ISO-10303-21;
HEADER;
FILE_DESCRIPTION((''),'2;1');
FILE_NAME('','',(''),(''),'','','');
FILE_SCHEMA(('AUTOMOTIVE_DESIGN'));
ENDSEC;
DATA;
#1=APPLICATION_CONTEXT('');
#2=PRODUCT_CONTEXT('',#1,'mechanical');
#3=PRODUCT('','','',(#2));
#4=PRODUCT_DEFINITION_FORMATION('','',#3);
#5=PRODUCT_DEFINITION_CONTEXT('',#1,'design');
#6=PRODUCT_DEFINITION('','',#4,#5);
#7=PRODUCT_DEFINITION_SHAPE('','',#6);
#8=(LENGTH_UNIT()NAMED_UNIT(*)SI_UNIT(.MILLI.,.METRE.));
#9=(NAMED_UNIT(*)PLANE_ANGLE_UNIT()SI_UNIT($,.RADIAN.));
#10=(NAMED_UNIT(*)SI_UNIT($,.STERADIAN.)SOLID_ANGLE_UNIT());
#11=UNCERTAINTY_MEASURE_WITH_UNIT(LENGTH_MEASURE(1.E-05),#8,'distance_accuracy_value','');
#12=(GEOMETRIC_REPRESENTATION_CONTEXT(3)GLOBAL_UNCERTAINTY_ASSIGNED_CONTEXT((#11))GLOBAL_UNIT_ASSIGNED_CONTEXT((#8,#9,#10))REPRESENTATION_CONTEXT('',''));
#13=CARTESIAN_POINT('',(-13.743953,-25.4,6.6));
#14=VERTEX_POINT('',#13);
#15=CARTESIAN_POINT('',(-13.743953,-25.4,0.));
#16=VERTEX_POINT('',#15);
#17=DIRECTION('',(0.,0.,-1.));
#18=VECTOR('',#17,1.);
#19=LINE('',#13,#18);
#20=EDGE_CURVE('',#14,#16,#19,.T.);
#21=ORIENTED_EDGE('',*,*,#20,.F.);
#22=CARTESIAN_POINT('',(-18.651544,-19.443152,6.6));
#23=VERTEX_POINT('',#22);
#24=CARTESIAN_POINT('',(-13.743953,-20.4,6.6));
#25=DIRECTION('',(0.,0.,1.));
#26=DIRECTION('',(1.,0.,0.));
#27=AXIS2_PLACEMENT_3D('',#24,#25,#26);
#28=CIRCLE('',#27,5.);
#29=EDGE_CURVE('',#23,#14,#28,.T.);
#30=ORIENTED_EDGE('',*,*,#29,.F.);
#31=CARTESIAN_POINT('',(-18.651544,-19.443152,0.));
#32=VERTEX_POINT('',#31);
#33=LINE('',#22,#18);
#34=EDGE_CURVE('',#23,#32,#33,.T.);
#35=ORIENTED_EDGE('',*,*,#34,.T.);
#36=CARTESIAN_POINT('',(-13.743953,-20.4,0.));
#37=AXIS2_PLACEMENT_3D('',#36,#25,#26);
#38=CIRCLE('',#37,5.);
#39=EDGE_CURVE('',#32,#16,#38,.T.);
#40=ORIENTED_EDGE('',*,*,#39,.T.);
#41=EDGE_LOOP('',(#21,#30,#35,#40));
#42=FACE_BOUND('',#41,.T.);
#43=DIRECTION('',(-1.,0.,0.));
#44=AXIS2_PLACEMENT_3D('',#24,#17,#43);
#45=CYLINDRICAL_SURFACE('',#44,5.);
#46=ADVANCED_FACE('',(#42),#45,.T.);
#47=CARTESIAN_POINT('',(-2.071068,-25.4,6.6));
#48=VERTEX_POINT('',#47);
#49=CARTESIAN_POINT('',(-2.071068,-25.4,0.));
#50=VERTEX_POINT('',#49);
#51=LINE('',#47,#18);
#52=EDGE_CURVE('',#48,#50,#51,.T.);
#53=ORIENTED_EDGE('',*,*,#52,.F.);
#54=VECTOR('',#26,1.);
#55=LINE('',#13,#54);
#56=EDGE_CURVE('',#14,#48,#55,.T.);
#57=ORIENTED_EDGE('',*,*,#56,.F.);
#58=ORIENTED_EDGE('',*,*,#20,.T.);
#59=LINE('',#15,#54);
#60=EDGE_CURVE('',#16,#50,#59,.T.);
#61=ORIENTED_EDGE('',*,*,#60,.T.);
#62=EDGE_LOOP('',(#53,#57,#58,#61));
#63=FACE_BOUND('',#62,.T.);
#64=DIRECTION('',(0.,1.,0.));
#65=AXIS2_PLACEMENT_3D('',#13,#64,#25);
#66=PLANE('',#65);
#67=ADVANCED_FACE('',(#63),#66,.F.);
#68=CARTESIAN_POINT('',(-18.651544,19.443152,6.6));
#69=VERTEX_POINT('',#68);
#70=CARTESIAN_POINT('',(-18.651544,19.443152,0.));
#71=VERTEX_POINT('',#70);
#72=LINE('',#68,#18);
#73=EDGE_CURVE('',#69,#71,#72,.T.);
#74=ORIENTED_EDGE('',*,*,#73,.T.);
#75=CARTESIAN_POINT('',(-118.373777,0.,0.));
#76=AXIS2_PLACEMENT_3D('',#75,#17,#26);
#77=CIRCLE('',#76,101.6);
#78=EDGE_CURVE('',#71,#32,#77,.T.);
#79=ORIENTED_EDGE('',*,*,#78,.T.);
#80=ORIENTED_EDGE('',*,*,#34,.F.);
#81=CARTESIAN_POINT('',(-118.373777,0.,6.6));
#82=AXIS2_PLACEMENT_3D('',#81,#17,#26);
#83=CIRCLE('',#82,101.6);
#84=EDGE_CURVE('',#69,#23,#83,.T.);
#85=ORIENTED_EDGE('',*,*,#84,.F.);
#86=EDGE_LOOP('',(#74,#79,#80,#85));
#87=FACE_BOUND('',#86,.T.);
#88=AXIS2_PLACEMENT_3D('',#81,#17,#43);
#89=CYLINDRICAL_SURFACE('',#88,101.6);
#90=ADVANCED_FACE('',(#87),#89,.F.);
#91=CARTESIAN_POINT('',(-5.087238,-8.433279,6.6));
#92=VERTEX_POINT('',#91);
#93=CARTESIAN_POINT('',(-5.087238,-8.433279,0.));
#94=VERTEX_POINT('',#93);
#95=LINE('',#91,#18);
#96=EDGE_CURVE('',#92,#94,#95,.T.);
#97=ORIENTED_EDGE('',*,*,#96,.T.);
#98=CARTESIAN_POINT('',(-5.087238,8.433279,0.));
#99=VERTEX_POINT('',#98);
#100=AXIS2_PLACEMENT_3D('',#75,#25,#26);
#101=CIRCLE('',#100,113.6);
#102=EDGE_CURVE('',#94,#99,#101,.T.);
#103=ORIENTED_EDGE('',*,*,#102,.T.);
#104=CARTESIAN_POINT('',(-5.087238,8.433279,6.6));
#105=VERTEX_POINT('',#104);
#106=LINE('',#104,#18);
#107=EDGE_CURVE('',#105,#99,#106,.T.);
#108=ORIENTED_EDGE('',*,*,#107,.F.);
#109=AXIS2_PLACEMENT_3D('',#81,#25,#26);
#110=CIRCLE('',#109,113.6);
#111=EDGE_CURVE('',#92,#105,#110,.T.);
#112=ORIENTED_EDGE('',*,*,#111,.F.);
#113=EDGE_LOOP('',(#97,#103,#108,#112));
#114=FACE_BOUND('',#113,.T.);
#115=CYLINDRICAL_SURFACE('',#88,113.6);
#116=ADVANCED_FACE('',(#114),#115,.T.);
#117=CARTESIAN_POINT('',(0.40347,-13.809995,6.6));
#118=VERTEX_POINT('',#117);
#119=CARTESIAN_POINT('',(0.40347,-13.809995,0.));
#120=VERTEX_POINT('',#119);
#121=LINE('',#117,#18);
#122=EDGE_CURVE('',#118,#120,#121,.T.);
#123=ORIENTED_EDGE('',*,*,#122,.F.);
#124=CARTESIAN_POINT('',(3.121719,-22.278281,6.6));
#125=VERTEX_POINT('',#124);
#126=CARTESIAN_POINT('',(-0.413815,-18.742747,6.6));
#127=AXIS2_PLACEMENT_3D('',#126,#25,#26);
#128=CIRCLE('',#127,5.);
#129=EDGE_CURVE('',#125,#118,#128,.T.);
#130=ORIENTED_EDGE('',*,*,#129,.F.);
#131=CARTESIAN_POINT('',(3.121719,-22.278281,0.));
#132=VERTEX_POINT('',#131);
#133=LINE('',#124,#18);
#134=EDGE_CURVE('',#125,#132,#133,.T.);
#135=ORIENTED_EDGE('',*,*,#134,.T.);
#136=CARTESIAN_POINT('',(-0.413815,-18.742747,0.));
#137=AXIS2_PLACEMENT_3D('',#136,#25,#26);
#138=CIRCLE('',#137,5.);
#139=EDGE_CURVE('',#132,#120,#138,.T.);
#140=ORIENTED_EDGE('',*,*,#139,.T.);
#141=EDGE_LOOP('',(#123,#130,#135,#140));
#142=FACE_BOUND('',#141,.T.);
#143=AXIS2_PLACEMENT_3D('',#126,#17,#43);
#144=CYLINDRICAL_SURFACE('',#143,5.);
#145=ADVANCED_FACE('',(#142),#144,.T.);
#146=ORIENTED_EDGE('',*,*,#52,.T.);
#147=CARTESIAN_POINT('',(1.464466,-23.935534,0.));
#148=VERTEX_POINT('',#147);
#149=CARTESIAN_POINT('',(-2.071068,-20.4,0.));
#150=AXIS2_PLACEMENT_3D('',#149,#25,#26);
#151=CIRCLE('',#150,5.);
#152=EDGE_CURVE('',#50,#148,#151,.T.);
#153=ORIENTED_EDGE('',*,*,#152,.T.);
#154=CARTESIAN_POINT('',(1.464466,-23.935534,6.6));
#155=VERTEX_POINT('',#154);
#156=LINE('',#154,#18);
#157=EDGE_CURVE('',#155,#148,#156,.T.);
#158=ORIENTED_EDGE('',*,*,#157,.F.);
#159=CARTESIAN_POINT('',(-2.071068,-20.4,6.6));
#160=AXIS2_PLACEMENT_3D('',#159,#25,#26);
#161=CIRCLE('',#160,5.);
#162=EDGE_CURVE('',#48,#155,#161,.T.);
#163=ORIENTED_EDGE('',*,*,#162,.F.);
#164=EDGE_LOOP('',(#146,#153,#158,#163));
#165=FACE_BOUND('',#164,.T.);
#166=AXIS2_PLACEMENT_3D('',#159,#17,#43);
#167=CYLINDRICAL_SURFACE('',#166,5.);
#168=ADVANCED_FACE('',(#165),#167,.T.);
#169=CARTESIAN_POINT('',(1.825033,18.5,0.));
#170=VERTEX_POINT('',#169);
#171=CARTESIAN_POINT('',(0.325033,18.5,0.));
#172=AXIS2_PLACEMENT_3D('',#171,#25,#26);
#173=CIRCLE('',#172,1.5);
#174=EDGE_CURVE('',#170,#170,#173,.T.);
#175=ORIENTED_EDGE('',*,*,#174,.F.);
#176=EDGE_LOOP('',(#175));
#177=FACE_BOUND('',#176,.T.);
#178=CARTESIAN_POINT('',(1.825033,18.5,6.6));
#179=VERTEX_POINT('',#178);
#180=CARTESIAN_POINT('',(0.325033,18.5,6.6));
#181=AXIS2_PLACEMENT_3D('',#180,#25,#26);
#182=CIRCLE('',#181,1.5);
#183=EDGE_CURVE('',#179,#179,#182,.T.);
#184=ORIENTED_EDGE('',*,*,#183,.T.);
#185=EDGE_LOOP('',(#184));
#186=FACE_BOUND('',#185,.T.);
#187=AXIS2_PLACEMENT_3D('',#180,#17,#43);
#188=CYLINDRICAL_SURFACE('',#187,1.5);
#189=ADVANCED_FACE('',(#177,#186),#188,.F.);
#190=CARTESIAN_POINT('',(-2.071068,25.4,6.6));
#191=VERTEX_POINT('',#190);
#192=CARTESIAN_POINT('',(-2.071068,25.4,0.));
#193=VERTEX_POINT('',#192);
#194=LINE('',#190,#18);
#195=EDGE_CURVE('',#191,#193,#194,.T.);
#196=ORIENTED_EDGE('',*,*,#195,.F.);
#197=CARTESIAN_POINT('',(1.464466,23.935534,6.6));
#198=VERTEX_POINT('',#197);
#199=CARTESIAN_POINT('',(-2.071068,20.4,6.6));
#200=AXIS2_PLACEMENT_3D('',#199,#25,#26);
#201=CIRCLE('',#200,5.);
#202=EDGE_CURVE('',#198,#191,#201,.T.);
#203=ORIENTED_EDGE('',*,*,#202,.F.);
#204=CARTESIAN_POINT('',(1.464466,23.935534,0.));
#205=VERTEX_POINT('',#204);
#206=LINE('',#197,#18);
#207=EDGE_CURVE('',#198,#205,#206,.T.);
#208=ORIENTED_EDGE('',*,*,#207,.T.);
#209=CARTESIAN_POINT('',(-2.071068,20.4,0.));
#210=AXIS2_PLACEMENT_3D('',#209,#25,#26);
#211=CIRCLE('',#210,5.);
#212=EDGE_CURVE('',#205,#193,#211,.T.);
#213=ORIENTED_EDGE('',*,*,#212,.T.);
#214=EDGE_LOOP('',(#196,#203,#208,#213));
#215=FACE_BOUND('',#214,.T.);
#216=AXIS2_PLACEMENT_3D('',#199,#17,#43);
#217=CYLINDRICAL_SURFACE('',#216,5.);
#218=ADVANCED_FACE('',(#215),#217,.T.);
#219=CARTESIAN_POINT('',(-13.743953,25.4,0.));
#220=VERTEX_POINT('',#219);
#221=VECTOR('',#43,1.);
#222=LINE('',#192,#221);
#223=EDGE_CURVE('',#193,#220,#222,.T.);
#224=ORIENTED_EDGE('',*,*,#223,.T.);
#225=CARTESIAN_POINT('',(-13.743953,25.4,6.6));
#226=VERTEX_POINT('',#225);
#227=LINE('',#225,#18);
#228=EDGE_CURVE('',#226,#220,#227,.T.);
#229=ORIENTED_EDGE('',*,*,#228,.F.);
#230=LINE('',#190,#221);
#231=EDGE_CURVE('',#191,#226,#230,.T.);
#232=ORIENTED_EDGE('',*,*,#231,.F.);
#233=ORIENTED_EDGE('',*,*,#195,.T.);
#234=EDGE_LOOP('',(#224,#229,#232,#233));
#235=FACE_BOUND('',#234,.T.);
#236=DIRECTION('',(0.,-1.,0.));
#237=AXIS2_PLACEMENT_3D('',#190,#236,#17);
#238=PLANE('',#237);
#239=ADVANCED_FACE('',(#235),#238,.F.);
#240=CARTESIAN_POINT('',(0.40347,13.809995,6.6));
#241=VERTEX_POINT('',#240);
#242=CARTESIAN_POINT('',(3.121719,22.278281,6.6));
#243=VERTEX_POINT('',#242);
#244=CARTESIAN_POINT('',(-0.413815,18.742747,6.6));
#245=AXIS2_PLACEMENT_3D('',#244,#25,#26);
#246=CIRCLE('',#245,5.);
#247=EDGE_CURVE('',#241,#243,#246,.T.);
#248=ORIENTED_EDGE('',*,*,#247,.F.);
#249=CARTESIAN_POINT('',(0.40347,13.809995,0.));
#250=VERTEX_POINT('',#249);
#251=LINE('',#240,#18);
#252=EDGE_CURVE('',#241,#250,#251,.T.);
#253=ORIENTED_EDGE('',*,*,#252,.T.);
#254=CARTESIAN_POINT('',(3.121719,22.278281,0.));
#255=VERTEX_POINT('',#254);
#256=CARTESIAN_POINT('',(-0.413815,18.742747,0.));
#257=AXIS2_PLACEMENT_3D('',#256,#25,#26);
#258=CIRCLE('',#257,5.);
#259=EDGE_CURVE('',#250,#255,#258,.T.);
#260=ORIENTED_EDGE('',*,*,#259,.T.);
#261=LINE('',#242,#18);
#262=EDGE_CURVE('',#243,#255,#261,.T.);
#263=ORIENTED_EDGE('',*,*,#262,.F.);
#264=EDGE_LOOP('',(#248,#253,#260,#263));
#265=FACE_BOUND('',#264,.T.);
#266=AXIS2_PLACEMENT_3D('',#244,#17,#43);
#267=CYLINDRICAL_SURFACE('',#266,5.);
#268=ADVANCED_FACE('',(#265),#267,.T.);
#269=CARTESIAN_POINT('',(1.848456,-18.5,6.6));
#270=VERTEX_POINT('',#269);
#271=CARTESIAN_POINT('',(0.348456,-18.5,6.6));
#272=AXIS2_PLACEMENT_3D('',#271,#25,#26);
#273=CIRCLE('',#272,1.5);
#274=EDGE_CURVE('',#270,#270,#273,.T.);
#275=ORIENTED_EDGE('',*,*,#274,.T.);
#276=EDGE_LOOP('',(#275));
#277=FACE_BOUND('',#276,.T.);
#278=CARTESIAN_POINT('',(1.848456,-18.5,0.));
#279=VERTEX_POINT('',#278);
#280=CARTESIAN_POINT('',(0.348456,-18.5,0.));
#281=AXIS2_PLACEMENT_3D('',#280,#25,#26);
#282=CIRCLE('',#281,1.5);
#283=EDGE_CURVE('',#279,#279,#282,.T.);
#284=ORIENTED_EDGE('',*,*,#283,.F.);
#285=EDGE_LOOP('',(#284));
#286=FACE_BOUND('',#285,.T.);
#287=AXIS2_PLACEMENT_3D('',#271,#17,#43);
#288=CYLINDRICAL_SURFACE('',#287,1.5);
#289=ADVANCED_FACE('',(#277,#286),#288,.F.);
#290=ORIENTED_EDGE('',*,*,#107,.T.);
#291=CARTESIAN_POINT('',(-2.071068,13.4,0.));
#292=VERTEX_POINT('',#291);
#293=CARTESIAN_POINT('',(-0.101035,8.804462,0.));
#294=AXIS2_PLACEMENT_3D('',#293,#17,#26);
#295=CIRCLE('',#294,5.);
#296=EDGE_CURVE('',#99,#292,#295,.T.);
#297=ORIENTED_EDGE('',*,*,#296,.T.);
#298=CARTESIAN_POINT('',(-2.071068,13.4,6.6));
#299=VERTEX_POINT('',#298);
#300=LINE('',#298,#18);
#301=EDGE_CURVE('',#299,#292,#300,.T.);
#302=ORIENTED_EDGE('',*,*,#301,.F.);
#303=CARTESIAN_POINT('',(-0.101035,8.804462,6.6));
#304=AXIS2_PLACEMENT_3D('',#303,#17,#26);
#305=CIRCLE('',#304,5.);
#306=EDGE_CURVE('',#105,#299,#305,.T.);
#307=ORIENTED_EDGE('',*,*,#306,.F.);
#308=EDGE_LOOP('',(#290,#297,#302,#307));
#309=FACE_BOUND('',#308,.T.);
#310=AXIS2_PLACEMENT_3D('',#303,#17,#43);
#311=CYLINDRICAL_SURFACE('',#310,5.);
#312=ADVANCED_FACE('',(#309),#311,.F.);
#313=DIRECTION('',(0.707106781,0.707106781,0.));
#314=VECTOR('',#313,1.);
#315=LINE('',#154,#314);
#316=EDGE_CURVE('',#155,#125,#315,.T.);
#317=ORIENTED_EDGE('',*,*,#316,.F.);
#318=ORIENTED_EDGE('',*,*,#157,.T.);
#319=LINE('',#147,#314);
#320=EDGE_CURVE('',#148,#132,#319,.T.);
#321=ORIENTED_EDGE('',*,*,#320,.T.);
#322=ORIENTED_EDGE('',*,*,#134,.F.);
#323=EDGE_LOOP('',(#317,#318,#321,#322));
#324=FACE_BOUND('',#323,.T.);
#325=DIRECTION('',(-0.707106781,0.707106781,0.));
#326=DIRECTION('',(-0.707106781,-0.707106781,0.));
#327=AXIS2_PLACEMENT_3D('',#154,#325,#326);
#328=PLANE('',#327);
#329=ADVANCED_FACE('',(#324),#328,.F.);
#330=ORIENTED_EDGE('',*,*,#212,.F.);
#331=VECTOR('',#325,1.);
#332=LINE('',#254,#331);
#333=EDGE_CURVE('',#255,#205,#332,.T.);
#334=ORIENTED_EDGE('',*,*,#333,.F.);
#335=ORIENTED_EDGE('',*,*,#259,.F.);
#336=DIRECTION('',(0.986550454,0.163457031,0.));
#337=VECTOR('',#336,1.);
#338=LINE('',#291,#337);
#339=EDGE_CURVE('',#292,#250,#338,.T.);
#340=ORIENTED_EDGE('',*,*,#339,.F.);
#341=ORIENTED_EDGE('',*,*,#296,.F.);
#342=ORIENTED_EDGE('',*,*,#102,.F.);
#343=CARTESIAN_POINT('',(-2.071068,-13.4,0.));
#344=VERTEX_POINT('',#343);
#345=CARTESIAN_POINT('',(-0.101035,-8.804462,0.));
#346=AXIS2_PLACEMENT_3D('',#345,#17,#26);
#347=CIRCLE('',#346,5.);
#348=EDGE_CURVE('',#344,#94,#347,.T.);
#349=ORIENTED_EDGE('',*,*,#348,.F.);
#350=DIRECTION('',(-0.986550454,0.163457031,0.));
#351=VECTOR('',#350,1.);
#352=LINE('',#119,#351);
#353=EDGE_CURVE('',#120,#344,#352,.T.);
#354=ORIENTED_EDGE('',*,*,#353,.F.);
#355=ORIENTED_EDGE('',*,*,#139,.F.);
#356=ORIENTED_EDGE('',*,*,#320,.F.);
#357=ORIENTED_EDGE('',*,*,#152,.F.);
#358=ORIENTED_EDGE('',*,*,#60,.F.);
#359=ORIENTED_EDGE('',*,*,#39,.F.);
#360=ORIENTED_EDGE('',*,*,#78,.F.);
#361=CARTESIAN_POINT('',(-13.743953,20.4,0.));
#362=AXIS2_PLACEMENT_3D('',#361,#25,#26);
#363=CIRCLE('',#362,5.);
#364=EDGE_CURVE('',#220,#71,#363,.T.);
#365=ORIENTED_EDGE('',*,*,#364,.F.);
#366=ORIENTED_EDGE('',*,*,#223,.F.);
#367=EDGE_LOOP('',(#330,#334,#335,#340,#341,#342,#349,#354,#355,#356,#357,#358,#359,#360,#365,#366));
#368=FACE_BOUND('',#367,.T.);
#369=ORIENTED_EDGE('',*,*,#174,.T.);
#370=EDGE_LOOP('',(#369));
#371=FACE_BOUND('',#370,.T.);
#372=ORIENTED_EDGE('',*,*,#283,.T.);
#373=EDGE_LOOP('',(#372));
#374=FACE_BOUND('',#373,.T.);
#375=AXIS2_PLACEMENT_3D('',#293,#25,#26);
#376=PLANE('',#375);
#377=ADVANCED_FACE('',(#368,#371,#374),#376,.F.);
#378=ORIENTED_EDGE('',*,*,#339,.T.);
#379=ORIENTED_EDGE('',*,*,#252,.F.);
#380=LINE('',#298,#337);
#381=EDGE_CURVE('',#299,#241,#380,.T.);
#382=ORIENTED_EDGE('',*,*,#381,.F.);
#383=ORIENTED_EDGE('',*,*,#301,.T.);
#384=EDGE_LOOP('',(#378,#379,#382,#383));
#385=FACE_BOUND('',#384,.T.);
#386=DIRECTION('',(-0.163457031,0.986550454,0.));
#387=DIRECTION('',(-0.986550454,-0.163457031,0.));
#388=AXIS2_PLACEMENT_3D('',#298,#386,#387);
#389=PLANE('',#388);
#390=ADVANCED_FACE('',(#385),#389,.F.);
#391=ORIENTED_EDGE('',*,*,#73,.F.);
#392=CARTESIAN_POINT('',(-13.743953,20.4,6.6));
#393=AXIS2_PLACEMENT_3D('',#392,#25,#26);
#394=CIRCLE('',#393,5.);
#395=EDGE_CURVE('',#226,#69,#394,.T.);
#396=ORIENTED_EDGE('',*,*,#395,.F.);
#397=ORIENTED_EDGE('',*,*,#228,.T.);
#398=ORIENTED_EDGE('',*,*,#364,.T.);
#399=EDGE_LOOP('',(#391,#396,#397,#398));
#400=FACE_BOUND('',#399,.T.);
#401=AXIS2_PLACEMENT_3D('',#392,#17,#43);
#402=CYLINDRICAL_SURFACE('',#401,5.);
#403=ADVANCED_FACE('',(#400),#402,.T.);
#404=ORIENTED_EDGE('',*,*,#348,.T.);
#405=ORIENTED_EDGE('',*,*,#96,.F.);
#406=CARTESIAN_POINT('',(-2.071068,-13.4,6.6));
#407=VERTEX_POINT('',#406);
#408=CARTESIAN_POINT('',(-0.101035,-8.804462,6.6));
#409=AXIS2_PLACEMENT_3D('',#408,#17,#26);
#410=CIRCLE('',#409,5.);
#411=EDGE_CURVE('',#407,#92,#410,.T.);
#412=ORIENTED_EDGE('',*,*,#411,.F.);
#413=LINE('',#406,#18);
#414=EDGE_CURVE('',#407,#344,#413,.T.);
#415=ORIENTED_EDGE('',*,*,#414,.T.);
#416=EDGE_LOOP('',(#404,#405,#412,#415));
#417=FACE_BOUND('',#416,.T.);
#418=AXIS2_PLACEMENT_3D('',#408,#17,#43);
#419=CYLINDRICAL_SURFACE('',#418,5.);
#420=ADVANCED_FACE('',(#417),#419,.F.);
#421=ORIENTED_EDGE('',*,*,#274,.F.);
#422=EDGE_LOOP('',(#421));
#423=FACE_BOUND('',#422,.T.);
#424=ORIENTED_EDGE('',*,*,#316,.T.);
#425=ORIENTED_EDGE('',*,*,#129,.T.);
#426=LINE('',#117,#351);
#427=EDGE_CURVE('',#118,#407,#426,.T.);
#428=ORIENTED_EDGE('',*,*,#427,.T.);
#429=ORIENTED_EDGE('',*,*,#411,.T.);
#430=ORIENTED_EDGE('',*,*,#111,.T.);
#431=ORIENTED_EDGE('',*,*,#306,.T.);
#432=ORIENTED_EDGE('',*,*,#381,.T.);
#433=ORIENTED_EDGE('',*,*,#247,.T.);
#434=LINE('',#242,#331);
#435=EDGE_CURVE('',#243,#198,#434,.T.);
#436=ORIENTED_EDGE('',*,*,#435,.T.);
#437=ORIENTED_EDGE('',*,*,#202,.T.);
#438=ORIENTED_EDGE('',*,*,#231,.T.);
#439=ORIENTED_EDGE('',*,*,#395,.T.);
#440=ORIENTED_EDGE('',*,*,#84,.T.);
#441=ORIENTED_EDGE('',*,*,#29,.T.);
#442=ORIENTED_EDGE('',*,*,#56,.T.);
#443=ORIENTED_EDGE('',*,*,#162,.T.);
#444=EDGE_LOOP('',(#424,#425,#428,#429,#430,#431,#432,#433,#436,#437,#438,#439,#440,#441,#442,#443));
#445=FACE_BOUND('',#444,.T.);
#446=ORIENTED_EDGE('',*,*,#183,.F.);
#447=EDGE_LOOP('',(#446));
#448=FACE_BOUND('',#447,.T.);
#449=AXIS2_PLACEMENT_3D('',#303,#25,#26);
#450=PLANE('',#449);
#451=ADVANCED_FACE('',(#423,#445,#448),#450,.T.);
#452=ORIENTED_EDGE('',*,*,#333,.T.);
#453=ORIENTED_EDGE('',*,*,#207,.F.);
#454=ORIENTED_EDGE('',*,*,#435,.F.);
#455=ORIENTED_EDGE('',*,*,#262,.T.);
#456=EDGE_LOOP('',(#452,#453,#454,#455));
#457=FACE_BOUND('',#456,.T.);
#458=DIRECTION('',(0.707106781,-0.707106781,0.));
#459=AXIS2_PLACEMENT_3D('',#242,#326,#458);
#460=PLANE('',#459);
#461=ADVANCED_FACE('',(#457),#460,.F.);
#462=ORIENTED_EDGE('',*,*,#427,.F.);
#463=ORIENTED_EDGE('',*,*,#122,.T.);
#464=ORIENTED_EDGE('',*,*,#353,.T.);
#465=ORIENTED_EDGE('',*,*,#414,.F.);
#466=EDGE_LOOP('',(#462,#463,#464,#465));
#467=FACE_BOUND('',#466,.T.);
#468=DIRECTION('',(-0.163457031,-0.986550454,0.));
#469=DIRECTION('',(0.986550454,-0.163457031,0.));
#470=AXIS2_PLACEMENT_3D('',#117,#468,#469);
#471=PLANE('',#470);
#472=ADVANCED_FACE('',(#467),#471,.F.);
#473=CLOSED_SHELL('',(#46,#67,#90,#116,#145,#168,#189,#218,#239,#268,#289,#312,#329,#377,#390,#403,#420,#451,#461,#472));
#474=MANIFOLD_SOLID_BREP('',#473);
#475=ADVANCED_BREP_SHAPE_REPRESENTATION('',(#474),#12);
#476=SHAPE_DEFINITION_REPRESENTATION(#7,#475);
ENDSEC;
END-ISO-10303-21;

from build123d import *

# Parameters (mm, degrees)
MODEL_R             = 1.5
BOSS_EXTRUDE1_DEPTH = 6.6


with BuildPart() as part:
    # Model → Boss-Extrude1 (new body)
    with BuildSketch(Plane.XY):
        with BuildLine():
            Line((0.403470192, -13.809994881), (-2.071067812, -13.4))
            ThreePointArc((-2.071067812, -13.4), (-4.374720312, -11.399768226), (-5.087238474, -8.433278742))
            ThreePointArc((-5.087238474, -8.433278742), (-4.773776994, 0), (-5.087238474, 8.433278742))
            ThreePointArc((-5.087238474, 8.433278742), (-4.374720312, 11.399768226), (-2.071067812, 13.4))
            Line((-2.071067812, 13.4), (0.403470192, 13.809994881))
            ThreePointArc((0.403470192, 13.809994881), (4.346933521, 17.214586867), (3.121718942, 22.278281058))
            Line((3.121718942, 22.278281058), (1.464466094, 23.935533906))
            ThreePointArc((1.464466094, 23.935533906), (-0.15765065, 25.019397663), (-2.071067812, 25.4))
            Line((-2.071067812, 25.4), (-13.74395333, 25.4))
            ThreePointArc((-13.74395333, 25.4), (-17.602984306, 23.579289217), (-18.651543558, 19.44315197))
            ThreePointArc((-18.651543558, 19.44315197), (-16.773776994, 0), (-18.651543558, -19.44315197))
            ThreePointArc((-18.651543558, -19.44315197), (-17.602984306, -23.579289217), (-13.74395333, -25.4))
            Line((-13.74395333, -25.4), (-2.071067812, -25.4))
            ThreePointArc((-2.071067812, -25.4), (-0.15765065, -25.019397663), (1.464466094, -23.935533906))
            Line((1.464466094, -23.935533906), (3.121718942, -22.278281058))
            ThreePointArc((3.121718942, -22.278281058), (4.346933521, -17.214586867), (0.403470192, -13.809994881))
        make_face()
        with Locations((0.325033172, 18.5)):
            Circle(MODEL_R, mode=Mode.SUBTRACT)
        with Locations((0.348456442, -18.5)):
            Circle(MODEL_R, mode=Mode.SUBTRACT)
    extrude(amount=BOSS_EXTRUDE1_DEPTH)


solid = part.part
